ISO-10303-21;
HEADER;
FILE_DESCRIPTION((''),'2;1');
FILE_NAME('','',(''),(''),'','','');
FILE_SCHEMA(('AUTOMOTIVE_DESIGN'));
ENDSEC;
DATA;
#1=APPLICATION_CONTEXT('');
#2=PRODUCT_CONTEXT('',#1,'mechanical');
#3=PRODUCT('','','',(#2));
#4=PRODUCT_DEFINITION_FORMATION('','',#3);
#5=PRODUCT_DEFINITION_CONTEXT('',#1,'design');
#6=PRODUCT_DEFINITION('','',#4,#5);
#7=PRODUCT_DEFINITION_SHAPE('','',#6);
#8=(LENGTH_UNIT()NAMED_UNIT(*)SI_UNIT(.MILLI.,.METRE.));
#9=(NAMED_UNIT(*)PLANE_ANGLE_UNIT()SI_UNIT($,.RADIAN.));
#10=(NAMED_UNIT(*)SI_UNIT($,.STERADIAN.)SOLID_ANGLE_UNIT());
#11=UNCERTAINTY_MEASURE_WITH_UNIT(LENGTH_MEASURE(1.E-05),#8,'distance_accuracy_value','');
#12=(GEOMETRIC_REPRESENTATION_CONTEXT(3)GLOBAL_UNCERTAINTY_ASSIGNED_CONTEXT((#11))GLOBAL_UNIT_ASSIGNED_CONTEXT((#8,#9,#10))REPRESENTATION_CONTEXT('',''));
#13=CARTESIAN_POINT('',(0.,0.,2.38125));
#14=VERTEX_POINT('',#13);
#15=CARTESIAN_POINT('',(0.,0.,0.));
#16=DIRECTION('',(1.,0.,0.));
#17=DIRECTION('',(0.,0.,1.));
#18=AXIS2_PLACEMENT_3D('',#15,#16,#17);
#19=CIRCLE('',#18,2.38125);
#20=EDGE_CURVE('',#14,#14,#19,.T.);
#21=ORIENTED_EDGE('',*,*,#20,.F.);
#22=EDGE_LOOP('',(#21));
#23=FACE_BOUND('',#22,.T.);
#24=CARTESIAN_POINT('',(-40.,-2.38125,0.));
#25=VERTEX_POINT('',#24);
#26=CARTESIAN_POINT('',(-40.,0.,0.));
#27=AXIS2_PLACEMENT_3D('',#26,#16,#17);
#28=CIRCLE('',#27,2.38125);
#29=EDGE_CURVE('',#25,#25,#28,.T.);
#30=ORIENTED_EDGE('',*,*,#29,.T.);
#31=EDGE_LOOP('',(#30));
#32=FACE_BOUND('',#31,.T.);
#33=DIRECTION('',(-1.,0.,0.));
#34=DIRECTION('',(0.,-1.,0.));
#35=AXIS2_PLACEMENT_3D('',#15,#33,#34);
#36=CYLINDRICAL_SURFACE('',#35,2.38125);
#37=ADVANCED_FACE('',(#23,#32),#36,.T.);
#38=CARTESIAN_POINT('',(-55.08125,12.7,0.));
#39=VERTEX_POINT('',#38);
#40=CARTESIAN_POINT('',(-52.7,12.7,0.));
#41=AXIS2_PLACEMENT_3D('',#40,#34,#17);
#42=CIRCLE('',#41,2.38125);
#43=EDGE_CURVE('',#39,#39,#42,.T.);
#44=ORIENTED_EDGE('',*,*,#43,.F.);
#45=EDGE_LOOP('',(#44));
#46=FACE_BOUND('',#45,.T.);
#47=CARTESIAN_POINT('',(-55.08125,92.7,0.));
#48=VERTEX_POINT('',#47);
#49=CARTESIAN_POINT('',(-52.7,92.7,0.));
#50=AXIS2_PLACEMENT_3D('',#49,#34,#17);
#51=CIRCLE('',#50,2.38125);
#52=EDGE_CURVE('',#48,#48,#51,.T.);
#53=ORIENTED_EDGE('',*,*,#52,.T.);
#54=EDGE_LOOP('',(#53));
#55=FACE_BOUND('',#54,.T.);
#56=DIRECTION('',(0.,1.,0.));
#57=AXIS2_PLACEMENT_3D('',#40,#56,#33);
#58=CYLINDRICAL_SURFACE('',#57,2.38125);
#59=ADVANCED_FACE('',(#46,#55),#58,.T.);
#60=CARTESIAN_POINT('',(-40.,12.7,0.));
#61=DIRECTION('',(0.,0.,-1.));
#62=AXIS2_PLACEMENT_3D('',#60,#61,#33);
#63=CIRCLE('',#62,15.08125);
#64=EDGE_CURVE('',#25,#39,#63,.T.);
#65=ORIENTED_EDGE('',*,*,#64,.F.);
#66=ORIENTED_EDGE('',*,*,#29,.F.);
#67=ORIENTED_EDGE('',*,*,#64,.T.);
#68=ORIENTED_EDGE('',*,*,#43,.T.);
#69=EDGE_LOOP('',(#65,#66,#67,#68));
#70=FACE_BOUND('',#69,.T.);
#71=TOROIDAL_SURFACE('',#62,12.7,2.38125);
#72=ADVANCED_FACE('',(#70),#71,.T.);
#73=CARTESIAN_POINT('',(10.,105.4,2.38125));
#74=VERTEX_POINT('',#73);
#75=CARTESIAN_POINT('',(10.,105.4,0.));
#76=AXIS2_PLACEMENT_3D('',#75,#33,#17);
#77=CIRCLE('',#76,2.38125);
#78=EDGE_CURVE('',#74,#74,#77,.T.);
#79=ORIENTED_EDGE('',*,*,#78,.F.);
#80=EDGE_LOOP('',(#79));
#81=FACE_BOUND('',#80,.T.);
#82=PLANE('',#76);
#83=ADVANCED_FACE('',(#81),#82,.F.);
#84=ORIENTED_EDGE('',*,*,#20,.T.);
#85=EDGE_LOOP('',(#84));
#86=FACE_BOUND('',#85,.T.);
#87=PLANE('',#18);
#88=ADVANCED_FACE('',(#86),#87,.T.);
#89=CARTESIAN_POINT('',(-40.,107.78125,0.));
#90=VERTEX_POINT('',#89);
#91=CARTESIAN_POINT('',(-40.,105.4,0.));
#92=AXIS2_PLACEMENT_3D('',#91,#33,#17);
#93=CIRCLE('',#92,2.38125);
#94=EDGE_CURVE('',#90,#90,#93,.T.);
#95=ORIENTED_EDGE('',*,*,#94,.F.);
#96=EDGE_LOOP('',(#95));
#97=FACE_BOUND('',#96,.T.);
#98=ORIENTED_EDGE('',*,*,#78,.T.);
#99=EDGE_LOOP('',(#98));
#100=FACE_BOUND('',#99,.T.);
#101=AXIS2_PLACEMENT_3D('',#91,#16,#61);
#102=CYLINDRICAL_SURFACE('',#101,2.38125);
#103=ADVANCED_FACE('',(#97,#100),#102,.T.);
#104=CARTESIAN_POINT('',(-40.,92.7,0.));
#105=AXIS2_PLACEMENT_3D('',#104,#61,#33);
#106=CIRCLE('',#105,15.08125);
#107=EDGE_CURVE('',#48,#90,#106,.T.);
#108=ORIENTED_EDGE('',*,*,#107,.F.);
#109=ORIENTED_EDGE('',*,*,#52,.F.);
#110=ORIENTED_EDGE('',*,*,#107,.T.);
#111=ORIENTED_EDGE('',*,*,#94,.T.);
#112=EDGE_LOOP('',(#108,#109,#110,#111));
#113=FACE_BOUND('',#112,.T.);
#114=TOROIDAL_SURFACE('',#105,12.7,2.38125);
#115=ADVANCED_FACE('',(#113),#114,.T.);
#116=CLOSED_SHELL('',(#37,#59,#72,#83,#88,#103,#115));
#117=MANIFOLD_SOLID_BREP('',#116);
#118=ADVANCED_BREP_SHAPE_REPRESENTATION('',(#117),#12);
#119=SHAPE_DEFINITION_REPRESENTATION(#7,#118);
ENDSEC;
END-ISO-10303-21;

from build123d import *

# Parameters (mm, degrees)
SWEEP1_PROFILE_R = 2.38125


with BuildPart() as part:
    # Sweep1: sweep along a path in Sketch1
    with BuildLine(Plane.XY) as sweep1_path:
        Line((0, 0), (-40, 0))
        ThreePointArc((-40, 0), (-48.980256121, 3.719743879), (-52.7, 12.7))
        Line((-52.7, 12.7), (-52.7, 92.7))
        ThreePointArc((-52.7, 92.7), (-48.980256121, 101.680256121), (-40, 105.4))
        Line((-40, 105.4), (10, 105.4))
    # Sweep1 profile (on start of the path) → Sweep1 (sweep)
    with BuildSketch(Plane(origin=(0, 0, 0), x_dir=(0, -1, 0), z_dir=(-1, 0, 0))):
        Circle(SWEEP1_PROFILE_R)
    sweep(path=sweep1_path.line)


solid = part.part
